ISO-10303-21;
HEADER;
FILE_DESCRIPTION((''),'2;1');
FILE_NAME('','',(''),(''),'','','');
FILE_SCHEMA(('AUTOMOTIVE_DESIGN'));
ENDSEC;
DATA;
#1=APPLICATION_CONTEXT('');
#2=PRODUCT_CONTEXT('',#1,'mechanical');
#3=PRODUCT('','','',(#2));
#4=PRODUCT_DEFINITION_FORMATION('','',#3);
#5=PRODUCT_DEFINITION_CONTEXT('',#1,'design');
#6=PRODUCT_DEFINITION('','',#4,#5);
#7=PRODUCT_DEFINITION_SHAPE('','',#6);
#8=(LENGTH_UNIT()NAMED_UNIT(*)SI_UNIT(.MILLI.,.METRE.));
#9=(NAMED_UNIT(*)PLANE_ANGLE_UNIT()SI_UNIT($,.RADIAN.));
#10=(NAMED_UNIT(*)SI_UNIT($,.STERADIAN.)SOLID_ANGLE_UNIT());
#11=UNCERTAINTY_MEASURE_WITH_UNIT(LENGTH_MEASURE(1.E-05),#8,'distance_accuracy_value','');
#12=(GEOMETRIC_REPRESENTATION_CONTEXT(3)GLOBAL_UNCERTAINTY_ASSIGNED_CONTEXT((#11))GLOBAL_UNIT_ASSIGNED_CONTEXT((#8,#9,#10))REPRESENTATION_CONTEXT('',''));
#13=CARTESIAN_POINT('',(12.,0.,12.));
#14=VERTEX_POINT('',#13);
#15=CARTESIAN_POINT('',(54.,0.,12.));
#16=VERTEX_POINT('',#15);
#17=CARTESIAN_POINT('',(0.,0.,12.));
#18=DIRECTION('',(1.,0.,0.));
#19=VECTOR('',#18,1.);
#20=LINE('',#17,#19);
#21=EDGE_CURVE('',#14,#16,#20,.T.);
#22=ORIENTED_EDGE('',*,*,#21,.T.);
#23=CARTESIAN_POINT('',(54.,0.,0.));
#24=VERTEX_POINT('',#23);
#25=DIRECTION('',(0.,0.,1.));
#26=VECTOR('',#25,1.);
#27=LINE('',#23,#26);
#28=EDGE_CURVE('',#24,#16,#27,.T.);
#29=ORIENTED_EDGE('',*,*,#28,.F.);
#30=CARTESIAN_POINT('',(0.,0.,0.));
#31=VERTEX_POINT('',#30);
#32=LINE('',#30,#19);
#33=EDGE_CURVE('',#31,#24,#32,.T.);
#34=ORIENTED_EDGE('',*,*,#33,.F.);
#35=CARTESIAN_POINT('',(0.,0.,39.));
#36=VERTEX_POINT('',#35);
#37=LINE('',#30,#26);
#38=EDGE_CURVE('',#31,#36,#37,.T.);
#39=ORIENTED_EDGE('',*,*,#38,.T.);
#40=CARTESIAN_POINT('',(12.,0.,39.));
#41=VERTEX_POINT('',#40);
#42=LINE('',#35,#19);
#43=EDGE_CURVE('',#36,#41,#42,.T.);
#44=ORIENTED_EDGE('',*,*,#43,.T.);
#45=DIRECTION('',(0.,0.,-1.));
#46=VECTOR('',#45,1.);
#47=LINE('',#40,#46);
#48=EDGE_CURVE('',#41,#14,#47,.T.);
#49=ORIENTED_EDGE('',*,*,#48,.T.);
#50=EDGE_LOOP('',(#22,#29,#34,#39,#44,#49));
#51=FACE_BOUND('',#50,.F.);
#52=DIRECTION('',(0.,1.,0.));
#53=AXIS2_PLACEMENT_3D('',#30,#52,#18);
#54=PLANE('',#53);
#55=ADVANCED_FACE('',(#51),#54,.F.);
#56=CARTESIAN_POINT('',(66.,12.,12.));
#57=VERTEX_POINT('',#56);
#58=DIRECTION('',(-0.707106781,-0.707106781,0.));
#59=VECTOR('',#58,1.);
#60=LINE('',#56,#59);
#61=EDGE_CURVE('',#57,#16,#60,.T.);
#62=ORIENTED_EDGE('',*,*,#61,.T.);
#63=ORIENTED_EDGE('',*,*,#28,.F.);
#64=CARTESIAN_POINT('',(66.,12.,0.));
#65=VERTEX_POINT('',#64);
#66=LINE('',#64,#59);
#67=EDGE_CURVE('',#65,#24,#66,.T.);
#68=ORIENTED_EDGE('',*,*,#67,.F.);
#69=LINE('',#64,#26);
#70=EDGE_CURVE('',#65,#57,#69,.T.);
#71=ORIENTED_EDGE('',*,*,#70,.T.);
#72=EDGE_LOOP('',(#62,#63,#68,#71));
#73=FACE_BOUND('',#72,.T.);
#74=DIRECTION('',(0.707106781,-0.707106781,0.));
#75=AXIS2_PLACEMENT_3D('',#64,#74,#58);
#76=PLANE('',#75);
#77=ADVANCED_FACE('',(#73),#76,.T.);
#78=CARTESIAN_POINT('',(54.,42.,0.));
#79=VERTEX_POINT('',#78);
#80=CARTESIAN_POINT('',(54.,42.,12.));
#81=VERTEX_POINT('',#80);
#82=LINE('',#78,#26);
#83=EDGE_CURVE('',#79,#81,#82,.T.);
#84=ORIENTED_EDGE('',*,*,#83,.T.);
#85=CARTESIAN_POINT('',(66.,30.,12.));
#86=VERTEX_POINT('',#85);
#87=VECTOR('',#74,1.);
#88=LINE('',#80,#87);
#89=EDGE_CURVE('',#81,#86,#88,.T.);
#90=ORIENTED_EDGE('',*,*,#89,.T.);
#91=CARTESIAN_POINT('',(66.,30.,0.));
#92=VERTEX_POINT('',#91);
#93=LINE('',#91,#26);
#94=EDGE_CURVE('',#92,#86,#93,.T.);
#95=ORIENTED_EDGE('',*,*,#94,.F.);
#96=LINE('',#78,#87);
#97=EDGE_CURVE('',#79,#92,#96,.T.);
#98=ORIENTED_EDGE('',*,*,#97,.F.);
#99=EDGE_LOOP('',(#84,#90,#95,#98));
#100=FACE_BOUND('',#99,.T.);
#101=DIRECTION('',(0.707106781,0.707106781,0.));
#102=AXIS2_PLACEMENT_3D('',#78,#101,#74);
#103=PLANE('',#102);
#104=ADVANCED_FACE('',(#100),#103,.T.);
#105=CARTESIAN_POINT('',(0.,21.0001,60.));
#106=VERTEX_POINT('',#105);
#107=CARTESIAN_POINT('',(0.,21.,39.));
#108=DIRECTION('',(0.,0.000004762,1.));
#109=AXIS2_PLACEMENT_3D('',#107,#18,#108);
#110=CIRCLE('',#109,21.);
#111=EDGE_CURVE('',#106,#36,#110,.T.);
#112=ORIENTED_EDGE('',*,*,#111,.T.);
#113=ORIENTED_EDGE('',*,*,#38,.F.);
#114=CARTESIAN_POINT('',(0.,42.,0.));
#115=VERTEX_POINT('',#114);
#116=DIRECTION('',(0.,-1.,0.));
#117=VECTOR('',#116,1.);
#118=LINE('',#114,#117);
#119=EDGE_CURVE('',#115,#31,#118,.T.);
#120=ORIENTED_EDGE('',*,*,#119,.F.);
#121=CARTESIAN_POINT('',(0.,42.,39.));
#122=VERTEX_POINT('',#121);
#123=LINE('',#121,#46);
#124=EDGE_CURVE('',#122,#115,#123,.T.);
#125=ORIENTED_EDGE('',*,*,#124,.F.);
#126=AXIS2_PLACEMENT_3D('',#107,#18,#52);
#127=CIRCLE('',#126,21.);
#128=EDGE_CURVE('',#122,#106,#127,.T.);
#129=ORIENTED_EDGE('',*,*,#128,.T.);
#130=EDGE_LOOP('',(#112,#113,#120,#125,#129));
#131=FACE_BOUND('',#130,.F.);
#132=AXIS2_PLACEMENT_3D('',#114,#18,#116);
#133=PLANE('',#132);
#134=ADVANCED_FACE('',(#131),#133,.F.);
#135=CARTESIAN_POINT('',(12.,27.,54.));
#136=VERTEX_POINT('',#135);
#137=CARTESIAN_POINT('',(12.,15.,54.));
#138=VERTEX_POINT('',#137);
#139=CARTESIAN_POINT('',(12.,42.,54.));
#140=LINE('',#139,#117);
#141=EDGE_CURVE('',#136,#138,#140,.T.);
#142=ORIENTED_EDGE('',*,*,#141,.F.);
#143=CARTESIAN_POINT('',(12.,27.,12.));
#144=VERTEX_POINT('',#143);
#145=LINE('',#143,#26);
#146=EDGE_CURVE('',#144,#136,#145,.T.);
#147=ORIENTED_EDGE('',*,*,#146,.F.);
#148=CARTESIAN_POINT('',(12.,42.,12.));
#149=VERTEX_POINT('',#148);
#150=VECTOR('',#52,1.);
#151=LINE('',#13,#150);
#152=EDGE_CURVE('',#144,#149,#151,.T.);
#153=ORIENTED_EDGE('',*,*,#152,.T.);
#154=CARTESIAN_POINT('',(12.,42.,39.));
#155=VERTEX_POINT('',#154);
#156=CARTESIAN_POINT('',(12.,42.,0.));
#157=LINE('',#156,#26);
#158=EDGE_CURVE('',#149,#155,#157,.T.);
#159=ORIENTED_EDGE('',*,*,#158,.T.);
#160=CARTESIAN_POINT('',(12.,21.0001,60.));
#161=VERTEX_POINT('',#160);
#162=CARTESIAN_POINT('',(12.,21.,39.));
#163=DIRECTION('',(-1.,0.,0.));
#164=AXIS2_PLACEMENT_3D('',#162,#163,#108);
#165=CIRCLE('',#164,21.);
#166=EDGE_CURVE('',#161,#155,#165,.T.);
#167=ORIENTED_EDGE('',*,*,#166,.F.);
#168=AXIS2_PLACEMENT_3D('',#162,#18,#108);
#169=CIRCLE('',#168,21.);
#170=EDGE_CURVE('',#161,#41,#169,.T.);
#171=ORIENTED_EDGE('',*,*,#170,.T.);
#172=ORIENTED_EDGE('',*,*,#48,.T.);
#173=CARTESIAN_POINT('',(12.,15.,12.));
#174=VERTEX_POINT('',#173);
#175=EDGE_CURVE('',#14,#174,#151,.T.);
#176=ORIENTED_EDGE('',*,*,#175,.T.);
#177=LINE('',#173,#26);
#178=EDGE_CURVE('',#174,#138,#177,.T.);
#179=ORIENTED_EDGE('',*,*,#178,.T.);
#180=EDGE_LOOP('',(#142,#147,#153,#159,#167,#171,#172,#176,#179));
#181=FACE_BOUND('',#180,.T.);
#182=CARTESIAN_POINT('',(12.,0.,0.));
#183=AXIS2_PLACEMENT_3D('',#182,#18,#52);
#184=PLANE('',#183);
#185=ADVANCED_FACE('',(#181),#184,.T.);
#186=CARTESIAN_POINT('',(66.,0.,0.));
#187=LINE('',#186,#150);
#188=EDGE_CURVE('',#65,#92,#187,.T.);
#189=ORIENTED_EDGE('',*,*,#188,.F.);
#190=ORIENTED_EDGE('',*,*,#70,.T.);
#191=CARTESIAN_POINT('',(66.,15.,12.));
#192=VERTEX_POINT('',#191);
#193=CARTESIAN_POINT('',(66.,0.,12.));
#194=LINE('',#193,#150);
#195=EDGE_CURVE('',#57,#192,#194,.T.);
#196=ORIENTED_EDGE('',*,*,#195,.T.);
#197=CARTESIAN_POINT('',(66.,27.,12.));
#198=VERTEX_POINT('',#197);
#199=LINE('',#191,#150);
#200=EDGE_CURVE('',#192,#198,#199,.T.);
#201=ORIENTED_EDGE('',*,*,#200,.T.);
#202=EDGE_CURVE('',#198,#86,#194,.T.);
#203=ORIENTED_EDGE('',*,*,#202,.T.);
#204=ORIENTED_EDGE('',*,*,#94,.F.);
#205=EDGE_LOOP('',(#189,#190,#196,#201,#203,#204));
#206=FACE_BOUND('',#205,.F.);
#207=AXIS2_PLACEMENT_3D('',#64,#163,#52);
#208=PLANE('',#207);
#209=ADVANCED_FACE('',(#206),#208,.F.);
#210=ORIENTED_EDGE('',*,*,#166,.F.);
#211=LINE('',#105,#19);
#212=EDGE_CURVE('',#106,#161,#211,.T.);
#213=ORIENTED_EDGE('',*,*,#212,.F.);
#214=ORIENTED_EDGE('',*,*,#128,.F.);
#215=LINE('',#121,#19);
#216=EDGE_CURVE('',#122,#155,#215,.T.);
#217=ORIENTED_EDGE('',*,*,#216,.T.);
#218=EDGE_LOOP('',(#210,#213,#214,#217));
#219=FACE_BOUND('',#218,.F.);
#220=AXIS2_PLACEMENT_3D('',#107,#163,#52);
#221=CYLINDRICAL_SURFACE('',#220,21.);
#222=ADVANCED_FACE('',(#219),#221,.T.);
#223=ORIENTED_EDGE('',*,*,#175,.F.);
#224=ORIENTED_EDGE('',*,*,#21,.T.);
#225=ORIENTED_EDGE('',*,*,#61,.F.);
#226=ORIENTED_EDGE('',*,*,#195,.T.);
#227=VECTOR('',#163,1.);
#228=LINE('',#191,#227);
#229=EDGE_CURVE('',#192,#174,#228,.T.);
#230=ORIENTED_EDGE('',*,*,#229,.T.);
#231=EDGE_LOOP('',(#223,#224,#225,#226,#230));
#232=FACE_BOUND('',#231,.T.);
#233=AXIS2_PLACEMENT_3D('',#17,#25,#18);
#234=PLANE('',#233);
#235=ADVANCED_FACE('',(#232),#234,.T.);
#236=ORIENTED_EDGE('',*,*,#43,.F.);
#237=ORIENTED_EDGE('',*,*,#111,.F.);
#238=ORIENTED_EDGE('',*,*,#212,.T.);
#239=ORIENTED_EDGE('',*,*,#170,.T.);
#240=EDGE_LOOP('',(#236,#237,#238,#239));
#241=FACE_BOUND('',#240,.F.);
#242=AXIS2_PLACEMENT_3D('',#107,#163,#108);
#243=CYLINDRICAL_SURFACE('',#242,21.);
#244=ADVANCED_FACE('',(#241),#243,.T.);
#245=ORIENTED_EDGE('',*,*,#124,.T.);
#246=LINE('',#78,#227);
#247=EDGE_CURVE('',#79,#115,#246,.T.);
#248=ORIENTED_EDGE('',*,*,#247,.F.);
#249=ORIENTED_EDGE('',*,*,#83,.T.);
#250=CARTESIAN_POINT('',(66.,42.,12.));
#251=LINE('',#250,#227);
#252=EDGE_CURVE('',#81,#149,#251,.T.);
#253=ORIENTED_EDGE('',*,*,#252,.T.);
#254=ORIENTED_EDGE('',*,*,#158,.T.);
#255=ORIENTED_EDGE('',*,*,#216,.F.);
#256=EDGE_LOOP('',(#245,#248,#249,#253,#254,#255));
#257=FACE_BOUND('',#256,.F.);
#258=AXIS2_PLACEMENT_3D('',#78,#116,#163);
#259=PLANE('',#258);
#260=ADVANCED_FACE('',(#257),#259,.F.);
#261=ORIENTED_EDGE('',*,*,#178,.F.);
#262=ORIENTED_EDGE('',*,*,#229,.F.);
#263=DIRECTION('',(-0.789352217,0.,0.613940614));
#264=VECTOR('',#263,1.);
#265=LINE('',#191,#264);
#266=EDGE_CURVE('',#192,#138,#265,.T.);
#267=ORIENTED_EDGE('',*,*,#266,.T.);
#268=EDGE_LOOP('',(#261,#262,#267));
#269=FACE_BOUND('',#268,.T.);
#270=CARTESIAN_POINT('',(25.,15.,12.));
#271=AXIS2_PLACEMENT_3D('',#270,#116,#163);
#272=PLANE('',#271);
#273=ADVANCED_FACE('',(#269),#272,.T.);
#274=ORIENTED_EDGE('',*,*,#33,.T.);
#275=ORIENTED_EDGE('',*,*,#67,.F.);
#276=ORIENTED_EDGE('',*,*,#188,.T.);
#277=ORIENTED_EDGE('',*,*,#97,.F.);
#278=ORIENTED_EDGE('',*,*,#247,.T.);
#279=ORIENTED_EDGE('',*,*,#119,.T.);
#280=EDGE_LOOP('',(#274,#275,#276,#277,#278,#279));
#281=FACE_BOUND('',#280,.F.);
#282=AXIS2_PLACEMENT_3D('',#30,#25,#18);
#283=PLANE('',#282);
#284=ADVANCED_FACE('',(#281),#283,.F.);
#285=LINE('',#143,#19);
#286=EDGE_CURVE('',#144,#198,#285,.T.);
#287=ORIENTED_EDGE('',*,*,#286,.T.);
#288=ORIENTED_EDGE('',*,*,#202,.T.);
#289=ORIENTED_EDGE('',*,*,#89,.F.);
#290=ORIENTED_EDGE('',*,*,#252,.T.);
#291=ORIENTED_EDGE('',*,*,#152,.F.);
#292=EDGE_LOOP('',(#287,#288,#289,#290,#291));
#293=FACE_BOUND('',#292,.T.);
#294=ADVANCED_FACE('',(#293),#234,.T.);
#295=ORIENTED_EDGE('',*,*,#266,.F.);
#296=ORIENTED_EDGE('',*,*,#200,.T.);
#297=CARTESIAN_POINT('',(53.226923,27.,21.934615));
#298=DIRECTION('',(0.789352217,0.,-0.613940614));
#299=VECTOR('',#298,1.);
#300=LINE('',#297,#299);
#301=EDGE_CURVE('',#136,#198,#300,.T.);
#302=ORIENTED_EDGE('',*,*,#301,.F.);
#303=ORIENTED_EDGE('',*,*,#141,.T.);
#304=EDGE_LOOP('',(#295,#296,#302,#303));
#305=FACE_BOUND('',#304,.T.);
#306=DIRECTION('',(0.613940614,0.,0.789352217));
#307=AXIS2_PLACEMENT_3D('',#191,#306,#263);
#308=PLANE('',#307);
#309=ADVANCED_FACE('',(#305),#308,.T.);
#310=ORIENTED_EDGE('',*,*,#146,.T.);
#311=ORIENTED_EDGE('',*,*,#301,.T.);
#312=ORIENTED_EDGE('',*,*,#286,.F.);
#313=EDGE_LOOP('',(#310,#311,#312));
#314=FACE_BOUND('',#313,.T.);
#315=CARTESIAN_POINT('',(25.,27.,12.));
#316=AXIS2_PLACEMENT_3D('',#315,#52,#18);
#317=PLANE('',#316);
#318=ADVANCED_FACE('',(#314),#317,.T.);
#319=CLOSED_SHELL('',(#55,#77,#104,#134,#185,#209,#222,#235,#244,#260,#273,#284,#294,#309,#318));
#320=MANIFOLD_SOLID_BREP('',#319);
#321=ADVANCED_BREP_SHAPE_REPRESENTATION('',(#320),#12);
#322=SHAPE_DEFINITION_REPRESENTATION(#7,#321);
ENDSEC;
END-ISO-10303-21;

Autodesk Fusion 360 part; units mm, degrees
sketch "Sketch1" plane through (0, 0, 0) normal (0, 0, 1) x (1, 0, 0)
sketch "Sketch3" plane through (0, 0, 0) normal (0, 0, 1) x (1, 0, 0)
  line L0 (0, 0) -> (66, 0)
  line L1 (66, 0) -> (66, 42)
  line L2 (66, 42) -> (0, 42)
  line L3 (0, 42) -> (0, 0)
  line L4 (66, 0) -> (54, 0)
  line L5 (54, 0) -> (54, 12)
  line L6 (54, 12) -> (66, 12)
  line L7 (66, 12) -> (66, 0)
  line L8 (66, 42) -> (54, 42)
  line L9 (54, 42) -> (54, 30)
  line L10 (54, 30) -> (66, 30)
  line L11 (66, 30) -> (66, 42)
  line L12 (54, 42) -> (66, 30)
  line L13 (66, 12) -> (54, 0)
  point P0 (54, 42)
  point P1 (66, 30)
  point P2 (54, 0)
  point P3 (66, 12)
  dimension "d11" = 66
  dimension "d12" = 42
  dimension "d13" = 12
  dimension "d14" = 12
  dimension "d15" = 12
  dimension "d16" = 12
extrude "Extrude1" add sketch "Sketch3" along normal blind 12 contours L0 L1 L2 L3 L5 L6 L9 L10 | L5 L6 L13 | L9 L10 L12
sketch "Sketch4" plane through (0, 0, 0) normal (1, 0, 0) x (0, 1, 0)
  line L0 (0, 0) -> (42, 0)
  line L1 (42, 0) -> (42, 39)
  line L2 (21.0001, 60) -> (21, 60)
  line L3 (0, 39) -> (0, 0)
  line L4 (21, 0) -> (21, 39)
  line L5 (0, 39) -> (42, 39)
  arc A0 (21, 60) -> (0, 39) centre (21, 39) ccw
  arc A1 (42, 39) -> (21.0001, 60) centre (21, 39) ccw
  point P0 (0, 60)
  dimension "d19" = 42
  dimension "d20" = 60
  dimension "d21" = 39
  dimension "d22" = 21
extrude "Extrude2" add sketch "Sketch4" along normal blind 12
sketch "Sketch5" plane through (0, 0, 12) normal (0, 0, 1) x (-1, 0, 0)
  line L0 (-12, -42) -> (-12, 0)
  line L1 (-12, 0) -> (-54, 0)
  line L2 (-54, 0) -> (-66, -12)
  line L3 (-66, -12) -> (-66, -30)
  line L4 (-66, -30) -> (-54, -42)
  line L5 (-54, -42) -> (-12, -42)
  line L6 (-25, 0) -> (-25, -15)
  line L7 (-25, -27) -> (-25, -42)
  line L8 (-25, -42) -> (-25, -27)
  line L9 (-12, -27) -> (-66, -27)
  line L10 (-66, -27) -> (-66, -15)
  line L11 (-66, -15) -> (-12, -15)
  line L12 (-12, -15) -> (-12, -27)
  dimension "d25" = 15
  dimension "d26" = 15
  dimension "d27" = 15
  dimension "d28" = 12
extrude "Extrude3" add sketch "Sketch5" along normal blind 42 contours L0 L3 L9 L10 L11 L12
sketch "Sketch6" plane through (0, 15, 0) normal (0, -1, 0) x (1, 0, 0)
  line L0 (12, 12) -> (66, 12)
  line L1 (66, 12) -> (66, 54)
  line L2 (66, 54) -> (12, 54)
  line L3 (12, 54) -> (12, 12)
  line L4 (66, 12) -> (12, 54)
extrude "Extrude4" cut sketch "Sketch6" against normal blind 29 contours L1 L2 L4
sketch "Sketch7" plane through (30.6923, 0, 39.4615) normal (0.6139, 0, 0.7894) x (0, 1, 0)
  line L0 (27, -44.73) -> (27, 23.6806)
  line L1 (27, 23.6806) -> (15, 23.6806)
  line L2 (15, 23.6806) -> (15, -44.73)
  line L3 (15, -44.73) -> (27, -44.73)
  dimension "d33" = 12
sketch "Sketch2" plane through (0, 0, 0) normal (1, 0, 0) x (0, 1, 0)
  line L0 (0, 0) -> (42, 0)
  line L1 (42, 0) -> (42, 60)
  line L2 (42, 60) -> (0, 60)
  line L3 (0, 60) -> (0, 0)
  dimension "d5" = 60
  dimension "d6" = 42
